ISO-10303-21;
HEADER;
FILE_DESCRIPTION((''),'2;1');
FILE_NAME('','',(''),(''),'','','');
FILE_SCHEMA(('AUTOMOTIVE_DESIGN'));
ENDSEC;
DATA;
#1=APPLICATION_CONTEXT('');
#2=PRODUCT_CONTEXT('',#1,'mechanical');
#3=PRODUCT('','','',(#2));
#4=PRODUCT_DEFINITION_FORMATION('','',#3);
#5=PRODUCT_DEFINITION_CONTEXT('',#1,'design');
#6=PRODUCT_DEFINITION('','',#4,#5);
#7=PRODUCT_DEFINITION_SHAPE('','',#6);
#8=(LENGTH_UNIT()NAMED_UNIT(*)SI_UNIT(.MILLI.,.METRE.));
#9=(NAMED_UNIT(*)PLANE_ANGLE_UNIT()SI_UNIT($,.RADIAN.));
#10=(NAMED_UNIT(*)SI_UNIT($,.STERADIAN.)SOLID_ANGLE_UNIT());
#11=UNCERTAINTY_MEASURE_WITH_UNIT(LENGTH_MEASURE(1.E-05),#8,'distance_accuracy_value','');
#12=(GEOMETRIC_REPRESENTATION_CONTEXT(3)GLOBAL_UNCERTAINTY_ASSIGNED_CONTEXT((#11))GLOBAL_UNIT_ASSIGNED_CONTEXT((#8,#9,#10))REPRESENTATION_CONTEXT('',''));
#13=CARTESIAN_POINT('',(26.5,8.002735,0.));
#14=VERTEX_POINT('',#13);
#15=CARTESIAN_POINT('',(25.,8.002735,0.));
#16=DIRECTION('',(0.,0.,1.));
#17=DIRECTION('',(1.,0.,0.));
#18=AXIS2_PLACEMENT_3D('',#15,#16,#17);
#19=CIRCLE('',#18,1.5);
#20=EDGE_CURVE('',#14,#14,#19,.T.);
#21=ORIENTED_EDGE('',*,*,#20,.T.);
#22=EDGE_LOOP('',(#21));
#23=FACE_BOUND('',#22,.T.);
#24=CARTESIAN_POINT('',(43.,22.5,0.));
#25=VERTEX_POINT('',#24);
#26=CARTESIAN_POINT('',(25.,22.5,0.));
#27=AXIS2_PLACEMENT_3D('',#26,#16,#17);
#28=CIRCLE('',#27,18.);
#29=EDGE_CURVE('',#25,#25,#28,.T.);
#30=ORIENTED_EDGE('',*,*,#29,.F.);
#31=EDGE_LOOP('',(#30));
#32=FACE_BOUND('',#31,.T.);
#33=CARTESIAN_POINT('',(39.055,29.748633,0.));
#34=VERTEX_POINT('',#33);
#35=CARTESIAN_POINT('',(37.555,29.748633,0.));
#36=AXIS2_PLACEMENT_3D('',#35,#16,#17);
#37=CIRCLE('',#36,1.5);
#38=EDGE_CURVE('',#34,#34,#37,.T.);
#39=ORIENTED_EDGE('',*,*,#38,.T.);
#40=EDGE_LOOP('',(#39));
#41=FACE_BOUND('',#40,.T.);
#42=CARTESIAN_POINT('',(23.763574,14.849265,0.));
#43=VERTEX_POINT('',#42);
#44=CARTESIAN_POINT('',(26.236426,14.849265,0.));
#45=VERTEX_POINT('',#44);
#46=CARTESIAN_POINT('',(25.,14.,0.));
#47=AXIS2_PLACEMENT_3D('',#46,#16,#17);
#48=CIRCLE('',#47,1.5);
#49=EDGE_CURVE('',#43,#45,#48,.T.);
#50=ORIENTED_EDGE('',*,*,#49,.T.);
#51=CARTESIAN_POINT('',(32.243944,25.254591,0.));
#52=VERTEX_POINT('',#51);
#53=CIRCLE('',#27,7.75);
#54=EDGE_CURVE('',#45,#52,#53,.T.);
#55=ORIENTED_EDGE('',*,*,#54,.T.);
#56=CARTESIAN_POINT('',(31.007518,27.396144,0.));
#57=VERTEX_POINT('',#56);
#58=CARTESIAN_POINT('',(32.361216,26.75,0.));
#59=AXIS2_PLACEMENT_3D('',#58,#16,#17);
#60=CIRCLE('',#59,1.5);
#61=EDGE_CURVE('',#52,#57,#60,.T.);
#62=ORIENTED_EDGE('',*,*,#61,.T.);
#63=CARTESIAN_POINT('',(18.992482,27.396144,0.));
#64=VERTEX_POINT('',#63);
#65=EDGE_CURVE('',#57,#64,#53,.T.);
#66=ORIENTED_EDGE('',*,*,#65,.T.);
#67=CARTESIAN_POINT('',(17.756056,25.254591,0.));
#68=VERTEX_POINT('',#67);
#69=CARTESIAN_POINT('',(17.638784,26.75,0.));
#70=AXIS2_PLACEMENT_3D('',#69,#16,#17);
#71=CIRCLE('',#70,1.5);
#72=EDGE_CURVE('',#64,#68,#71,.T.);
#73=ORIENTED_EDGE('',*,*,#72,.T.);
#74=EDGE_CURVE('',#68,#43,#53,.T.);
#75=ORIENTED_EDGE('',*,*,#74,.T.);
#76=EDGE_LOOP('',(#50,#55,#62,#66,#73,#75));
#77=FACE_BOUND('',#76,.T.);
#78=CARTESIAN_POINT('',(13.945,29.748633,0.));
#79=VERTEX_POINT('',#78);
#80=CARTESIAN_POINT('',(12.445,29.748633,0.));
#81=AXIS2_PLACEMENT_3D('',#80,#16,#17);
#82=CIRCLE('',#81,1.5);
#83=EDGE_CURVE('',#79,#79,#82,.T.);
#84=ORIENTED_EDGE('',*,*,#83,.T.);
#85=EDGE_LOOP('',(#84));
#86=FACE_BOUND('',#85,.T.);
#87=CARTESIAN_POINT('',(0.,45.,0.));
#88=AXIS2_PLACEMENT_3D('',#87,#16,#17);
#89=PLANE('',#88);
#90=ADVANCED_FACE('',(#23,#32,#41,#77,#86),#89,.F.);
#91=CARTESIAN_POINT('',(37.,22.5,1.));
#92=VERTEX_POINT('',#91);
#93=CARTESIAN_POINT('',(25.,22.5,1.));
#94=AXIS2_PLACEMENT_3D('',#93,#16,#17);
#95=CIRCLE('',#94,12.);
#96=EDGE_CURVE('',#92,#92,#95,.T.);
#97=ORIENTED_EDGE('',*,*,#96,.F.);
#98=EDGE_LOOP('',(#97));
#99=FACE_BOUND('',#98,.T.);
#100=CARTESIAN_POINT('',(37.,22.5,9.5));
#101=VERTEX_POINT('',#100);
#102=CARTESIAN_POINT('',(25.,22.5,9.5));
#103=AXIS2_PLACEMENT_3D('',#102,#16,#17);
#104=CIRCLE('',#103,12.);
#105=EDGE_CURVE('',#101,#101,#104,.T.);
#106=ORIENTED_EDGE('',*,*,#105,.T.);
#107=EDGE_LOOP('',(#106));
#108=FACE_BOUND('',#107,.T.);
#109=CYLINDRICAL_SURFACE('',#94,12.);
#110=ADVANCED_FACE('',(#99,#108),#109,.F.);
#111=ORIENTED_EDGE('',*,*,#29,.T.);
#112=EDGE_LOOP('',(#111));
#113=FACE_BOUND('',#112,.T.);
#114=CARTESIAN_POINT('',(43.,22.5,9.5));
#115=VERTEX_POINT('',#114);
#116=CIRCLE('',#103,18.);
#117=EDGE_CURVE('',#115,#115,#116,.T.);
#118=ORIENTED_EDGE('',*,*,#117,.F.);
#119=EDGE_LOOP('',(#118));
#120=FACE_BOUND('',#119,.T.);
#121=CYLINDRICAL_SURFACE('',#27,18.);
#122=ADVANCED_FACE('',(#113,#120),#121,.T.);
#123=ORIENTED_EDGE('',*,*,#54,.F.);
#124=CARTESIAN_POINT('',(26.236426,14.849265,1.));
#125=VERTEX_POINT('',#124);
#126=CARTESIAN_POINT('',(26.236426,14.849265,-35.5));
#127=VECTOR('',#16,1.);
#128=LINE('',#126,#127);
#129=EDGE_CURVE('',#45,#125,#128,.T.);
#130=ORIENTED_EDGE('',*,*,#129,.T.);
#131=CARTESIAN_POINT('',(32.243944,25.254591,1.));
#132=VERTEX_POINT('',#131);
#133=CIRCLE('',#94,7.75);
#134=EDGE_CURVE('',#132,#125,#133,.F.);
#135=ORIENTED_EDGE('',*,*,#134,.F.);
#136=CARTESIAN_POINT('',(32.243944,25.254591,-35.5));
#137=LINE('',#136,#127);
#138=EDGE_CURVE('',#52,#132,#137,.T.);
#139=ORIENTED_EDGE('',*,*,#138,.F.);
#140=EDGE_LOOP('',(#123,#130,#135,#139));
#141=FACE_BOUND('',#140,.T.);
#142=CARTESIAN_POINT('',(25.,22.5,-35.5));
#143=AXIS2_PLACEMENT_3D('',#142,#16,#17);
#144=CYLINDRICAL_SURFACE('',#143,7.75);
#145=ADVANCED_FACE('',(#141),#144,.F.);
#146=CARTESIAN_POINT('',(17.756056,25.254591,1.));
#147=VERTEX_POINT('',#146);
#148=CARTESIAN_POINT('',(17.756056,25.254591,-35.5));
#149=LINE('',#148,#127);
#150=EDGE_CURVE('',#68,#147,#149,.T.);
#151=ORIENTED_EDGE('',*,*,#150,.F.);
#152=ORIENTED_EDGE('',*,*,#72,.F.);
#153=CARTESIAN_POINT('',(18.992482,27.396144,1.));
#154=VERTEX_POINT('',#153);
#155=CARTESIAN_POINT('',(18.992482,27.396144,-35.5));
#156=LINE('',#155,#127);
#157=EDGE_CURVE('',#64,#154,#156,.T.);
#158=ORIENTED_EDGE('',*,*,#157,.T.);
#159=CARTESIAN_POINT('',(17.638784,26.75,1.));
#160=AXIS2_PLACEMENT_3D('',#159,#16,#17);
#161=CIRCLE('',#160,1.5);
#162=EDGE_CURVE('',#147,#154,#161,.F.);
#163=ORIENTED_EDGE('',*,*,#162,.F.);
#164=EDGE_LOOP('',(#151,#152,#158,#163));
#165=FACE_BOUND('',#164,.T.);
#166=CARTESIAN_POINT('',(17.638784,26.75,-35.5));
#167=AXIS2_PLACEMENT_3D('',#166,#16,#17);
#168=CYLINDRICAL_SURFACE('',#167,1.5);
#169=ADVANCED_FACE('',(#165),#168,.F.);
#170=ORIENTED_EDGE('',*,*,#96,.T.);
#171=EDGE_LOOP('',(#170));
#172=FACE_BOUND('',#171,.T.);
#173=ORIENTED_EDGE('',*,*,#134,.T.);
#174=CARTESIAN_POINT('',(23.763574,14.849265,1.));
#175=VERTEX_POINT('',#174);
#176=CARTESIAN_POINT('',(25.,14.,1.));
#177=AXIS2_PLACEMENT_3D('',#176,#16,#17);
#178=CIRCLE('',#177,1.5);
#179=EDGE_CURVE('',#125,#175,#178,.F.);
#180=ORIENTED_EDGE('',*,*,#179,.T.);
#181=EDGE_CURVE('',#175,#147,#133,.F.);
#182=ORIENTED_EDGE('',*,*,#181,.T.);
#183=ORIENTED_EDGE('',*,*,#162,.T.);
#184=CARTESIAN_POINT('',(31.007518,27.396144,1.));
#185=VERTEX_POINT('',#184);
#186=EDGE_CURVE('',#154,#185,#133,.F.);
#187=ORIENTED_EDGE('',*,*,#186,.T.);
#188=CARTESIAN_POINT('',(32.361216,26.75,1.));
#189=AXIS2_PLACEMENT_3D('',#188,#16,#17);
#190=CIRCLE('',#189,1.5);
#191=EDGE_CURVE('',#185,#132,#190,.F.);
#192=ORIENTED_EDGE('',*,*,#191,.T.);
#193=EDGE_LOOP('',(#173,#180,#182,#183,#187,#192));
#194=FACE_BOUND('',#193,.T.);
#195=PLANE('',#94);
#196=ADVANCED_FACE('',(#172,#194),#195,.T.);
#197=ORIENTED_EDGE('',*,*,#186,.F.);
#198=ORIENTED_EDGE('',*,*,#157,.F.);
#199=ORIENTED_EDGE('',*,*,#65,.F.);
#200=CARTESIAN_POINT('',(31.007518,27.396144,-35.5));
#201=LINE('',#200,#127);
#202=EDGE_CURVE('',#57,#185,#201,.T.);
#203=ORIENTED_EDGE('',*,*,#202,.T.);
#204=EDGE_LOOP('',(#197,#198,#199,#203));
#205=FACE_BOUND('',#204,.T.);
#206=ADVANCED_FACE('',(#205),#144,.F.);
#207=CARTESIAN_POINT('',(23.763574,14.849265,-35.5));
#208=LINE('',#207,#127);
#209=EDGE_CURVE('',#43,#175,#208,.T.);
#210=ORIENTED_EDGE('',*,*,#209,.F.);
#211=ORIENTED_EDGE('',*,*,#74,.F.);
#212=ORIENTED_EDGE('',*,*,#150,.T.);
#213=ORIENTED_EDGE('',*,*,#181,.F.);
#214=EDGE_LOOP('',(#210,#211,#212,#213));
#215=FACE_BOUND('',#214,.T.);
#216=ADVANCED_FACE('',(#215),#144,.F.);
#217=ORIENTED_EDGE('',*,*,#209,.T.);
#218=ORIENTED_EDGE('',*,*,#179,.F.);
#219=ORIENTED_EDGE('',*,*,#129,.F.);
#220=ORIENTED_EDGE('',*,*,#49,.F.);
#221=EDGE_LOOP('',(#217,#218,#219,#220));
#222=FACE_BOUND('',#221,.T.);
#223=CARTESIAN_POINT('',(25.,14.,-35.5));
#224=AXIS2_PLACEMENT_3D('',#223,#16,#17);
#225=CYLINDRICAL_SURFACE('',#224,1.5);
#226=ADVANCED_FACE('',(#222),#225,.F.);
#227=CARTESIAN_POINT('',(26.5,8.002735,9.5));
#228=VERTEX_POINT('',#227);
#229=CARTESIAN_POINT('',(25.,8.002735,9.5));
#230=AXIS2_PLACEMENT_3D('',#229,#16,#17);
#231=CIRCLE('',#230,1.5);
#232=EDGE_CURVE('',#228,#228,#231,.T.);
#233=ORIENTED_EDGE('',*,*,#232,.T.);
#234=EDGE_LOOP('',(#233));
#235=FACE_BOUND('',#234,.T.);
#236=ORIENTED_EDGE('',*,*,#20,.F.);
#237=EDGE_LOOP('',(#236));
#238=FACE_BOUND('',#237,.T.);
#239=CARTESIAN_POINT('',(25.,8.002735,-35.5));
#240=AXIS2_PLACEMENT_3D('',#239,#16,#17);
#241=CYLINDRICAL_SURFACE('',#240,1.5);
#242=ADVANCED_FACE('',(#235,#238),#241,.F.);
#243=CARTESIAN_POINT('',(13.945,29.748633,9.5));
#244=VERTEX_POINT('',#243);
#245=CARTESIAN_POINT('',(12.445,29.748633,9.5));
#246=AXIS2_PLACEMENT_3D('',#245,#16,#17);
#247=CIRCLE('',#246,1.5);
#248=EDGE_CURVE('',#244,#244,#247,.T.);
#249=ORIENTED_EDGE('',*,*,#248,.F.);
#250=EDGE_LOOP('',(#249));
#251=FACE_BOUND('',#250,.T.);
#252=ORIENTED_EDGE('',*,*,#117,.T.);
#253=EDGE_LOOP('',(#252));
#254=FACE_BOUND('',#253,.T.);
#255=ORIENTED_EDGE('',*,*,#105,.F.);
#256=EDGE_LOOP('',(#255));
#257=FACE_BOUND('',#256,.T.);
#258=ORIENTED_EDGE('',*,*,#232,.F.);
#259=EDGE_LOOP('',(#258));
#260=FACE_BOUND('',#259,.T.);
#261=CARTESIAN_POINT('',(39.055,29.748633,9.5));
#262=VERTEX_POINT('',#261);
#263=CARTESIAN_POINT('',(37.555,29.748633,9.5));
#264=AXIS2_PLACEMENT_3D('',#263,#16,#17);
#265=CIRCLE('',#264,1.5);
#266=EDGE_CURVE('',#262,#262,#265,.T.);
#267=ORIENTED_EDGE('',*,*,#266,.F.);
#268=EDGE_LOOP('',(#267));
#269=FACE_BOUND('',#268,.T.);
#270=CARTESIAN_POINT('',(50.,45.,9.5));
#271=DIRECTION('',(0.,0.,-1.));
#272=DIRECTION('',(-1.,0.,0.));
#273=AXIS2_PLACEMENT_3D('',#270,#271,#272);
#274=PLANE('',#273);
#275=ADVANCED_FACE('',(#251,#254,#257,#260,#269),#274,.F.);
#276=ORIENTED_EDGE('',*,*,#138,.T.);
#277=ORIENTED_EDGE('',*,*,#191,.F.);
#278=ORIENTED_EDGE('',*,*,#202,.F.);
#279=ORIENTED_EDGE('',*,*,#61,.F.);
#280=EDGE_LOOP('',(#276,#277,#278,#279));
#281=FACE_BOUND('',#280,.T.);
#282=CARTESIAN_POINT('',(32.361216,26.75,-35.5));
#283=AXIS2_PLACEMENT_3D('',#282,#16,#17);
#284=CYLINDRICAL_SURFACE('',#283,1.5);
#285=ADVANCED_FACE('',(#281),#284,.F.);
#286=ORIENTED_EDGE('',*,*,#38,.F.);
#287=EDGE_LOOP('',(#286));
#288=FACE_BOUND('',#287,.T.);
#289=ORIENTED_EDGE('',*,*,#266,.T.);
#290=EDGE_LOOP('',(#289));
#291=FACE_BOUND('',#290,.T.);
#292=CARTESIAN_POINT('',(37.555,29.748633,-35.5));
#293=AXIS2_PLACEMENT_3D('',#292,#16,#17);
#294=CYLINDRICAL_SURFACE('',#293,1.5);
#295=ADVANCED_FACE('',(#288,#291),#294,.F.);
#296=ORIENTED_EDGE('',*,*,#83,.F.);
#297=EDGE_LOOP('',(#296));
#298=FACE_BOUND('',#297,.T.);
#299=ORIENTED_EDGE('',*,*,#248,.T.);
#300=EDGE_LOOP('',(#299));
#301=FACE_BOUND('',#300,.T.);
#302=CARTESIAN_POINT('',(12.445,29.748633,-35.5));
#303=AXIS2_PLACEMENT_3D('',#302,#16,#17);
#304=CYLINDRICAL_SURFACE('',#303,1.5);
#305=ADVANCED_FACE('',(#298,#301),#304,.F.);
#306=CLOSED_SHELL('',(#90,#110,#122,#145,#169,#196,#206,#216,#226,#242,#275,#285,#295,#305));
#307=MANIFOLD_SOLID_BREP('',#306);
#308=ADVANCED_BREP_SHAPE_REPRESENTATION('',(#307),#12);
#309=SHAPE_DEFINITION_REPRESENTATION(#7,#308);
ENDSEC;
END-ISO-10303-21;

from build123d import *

# Parameters (mm, degrees)
ESQUISSE1_W      = 50
ESQUISSE1_H      = 9.5
EXTRUSION1_DEPTH = 45
ESQUISSE2_R      = 1.5
EXTRUSION2_DEPTH = 45
ESQUISSE3_R      = 12
EXTRUSION3_DEPTH = 8.5
ESQUISSE4_R      = 36.120283588
ESQUISSE4_R_2    = 18
EXTRUSION4_DEPTH = 10.5


with BuildPart() as part:
    # Esquisse1 → Extrusion1 (new body)
    with BuildSketch(Plane(origin=(0, 0, 0), x_dir=(1, 0, 0), z_dir=(0, 1, 0))):
        with Locations((25, -4.75)):
            Rectangle(ESQUISSE1_W, ESQUISSE1_H)
    extrude(amount=EXTRUSION1_DEPTH)

    # Esquisse2 → Extrusion2 (cut)
    with BuildSketch(Plane.XY.offset(9.5)):
        with Locations((12.445, 29.74863263)):
            Circle(ESQUISSE2_R)
        with Locations((37.555, 29.74863263)):
            Circle(ESQUISSE2_R)
        with Locations((25, 8.002734741)):
            Circle(ESQUISSE2_R)
        with BuildLine():
            ThreePointArc((17.756055836, 25.254591249), (16.339745962, 27.5), (18.992481919, 27.396144045))
            ThreePointArc((18.992481919, 27.396144045), (25, 30.25), (31.007518081, 27.396144045))
            ThreePointArc((31.007518081, 27.396144045), (33.660254038, 27.5), (32.243944164, 25.254591249))
            ThreePointArc((32.243944164, 25.254591249), (31.711696879, 18.625), (26.236426083, 14.849264706))
            ThreePointArc((26.236426083, 14.849264706), (25, 12.5), (23.763573917, 14.849264706))
            ThreePointArc((23.763573917, 14.849264706), (18.288303121, 18.625), (17.756055836, 25.254591249))
        make_face()
    extrude(amount=-EXTRUSION2_DEPTH, mode=Mode.SUBTRACT)

    # Esquisse3 → Extrusion3 (cut)
    with BuildSketch(Plane.XY.offset(9.5)):
        with Locations((25, 22.5)):
            Circle(ESQUISSE3_R)
    extrude(amount=-EXTRUSION3_DEPTH, mode=Mode.SUBTRACT)

    # Esquisse4 → Extrusion4 (cut, through all)
    with BuildSketch(Plane.XY.offset(9.5)):
        with Locations((25, 22.5)):
            Circle(ESQUISSE4_R)
        with Locations((25, 22.5)):
            Circle(ESQUISSE4_R_2, mode=Mode.SUBTRACT)
    extrude(amount=-EXTRUSION4_DEPTH, mode=Mode.SUBTRACT)


solid = part.part
